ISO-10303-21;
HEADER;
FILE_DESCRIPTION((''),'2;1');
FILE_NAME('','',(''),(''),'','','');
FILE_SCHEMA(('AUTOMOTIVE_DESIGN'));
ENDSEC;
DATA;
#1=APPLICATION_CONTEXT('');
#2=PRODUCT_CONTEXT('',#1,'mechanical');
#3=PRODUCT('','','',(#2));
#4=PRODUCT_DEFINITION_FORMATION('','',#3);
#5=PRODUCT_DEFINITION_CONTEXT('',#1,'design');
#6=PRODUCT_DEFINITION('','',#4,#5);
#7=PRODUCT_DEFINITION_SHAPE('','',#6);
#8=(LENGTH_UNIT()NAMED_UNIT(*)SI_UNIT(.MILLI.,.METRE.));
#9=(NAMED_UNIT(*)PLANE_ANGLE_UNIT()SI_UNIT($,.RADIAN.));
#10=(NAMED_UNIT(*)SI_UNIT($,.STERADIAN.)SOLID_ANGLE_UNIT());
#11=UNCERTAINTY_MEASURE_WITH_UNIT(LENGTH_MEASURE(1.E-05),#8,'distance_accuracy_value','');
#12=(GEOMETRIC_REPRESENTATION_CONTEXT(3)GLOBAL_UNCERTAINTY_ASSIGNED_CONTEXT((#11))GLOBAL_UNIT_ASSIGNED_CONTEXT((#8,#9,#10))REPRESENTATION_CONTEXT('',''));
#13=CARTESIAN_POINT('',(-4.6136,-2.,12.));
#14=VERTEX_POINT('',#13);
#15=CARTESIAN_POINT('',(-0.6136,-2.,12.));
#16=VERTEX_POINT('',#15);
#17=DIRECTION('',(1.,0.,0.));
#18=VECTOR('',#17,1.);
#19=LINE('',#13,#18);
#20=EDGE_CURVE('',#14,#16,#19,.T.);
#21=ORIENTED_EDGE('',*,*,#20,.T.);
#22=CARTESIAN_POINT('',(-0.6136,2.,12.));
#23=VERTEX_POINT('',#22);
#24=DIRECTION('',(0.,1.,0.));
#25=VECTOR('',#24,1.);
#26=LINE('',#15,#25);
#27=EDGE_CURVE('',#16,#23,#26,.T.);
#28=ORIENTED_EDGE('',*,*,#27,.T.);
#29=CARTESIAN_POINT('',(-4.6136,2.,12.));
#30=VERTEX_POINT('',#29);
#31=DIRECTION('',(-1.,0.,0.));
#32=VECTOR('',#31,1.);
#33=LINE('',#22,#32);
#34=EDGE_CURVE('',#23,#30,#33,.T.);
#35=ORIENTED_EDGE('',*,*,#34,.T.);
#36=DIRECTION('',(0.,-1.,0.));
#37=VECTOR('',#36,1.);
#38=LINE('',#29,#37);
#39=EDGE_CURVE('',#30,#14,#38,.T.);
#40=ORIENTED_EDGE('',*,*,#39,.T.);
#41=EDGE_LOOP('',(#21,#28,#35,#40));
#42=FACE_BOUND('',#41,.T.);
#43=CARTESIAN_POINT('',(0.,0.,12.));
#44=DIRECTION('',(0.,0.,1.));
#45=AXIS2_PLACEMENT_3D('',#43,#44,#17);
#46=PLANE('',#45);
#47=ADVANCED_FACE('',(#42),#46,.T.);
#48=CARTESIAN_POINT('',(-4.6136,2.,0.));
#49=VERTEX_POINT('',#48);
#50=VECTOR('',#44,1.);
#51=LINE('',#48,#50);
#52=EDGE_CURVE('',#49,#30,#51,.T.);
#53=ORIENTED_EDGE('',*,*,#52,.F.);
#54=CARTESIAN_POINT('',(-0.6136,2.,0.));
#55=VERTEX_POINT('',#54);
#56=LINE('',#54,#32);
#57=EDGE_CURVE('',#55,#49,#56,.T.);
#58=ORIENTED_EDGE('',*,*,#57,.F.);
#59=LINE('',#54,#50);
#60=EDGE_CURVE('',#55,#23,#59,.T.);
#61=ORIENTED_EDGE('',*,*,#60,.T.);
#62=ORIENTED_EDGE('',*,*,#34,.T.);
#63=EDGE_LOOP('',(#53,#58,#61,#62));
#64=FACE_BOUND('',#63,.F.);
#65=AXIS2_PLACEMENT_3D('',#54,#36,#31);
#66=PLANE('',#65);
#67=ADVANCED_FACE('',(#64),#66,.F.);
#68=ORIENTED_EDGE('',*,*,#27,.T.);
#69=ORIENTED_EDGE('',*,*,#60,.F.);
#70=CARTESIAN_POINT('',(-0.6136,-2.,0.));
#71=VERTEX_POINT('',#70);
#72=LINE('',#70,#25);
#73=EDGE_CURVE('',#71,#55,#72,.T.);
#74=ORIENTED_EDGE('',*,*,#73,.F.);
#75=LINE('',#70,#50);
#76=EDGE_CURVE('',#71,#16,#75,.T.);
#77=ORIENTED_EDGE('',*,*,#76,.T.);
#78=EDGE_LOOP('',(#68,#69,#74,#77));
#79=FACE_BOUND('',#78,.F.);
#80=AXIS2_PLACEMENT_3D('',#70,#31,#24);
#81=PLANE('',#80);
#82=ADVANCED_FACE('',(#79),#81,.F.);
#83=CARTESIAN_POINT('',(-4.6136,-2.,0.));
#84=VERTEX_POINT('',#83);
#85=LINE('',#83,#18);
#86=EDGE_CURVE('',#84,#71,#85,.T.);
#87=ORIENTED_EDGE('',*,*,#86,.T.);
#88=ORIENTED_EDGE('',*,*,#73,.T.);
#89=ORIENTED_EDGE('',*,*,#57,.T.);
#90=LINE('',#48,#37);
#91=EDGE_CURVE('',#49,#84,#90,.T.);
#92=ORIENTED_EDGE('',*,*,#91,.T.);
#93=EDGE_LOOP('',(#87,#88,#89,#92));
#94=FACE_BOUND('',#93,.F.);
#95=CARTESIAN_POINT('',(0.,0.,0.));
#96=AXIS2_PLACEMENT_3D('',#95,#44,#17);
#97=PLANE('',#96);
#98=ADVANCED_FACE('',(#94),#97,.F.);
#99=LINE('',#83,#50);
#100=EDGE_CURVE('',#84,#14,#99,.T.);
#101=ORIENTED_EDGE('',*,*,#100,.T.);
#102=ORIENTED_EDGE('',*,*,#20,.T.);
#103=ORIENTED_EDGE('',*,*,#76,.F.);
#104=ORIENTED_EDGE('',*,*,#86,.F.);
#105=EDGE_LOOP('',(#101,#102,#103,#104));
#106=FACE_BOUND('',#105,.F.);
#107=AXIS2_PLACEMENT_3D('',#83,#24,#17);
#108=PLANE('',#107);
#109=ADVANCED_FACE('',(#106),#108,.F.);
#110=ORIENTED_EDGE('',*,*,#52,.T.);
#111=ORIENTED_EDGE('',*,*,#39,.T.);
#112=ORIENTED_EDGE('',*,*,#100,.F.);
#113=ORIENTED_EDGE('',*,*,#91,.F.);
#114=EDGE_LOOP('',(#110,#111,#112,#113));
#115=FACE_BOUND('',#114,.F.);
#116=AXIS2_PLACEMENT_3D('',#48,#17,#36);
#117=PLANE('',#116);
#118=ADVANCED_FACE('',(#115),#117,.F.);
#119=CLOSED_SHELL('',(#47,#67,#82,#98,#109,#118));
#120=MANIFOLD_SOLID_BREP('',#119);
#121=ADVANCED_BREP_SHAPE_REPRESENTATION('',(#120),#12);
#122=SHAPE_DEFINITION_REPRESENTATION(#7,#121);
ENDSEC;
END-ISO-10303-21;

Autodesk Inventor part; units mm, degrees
ref_plane "YZ Plane" through (0, 0, 0) normal (1, 0, 0) x (0, 1, 0)
ref_plane "XZ Plane" through (0, 0, 0) normal (0, 1, 0) x (-1, 0, 0)
ref_plane "XY Plane" through (0, 0, 0) normal (0, 0, 1) x (1, 0, 0)
sketch "Sketch1" plane through (0, 0, 0) normal (0, 0, 1) x (1, 0, 0)
  line L0 (-4.6136, -2) -> (-0.6136, -2)
  line L1 (-0.6136, -2) -> (-0.6136, 2)
  line L2 (-0.6136, 2) -> (-4.6136, 2)
  line L3 (-4.6136, 2) -> (-4.6136, -2)
  line L4 (-4.6136, -2) -> (-0.6136, 2) construction
  line L5 (-0.6136, -2) -> (-4.6136, 2) construction
  point P0 (0, 0)
  point P1 (-2.6136, 0)
  dimension "d0" = 4
  dimension "d1" = 4
extrude "Extrusion1" add sketch "Sketch1" along normal blind 12
properties part number "4x4x12 PG-27 Machine Key"
